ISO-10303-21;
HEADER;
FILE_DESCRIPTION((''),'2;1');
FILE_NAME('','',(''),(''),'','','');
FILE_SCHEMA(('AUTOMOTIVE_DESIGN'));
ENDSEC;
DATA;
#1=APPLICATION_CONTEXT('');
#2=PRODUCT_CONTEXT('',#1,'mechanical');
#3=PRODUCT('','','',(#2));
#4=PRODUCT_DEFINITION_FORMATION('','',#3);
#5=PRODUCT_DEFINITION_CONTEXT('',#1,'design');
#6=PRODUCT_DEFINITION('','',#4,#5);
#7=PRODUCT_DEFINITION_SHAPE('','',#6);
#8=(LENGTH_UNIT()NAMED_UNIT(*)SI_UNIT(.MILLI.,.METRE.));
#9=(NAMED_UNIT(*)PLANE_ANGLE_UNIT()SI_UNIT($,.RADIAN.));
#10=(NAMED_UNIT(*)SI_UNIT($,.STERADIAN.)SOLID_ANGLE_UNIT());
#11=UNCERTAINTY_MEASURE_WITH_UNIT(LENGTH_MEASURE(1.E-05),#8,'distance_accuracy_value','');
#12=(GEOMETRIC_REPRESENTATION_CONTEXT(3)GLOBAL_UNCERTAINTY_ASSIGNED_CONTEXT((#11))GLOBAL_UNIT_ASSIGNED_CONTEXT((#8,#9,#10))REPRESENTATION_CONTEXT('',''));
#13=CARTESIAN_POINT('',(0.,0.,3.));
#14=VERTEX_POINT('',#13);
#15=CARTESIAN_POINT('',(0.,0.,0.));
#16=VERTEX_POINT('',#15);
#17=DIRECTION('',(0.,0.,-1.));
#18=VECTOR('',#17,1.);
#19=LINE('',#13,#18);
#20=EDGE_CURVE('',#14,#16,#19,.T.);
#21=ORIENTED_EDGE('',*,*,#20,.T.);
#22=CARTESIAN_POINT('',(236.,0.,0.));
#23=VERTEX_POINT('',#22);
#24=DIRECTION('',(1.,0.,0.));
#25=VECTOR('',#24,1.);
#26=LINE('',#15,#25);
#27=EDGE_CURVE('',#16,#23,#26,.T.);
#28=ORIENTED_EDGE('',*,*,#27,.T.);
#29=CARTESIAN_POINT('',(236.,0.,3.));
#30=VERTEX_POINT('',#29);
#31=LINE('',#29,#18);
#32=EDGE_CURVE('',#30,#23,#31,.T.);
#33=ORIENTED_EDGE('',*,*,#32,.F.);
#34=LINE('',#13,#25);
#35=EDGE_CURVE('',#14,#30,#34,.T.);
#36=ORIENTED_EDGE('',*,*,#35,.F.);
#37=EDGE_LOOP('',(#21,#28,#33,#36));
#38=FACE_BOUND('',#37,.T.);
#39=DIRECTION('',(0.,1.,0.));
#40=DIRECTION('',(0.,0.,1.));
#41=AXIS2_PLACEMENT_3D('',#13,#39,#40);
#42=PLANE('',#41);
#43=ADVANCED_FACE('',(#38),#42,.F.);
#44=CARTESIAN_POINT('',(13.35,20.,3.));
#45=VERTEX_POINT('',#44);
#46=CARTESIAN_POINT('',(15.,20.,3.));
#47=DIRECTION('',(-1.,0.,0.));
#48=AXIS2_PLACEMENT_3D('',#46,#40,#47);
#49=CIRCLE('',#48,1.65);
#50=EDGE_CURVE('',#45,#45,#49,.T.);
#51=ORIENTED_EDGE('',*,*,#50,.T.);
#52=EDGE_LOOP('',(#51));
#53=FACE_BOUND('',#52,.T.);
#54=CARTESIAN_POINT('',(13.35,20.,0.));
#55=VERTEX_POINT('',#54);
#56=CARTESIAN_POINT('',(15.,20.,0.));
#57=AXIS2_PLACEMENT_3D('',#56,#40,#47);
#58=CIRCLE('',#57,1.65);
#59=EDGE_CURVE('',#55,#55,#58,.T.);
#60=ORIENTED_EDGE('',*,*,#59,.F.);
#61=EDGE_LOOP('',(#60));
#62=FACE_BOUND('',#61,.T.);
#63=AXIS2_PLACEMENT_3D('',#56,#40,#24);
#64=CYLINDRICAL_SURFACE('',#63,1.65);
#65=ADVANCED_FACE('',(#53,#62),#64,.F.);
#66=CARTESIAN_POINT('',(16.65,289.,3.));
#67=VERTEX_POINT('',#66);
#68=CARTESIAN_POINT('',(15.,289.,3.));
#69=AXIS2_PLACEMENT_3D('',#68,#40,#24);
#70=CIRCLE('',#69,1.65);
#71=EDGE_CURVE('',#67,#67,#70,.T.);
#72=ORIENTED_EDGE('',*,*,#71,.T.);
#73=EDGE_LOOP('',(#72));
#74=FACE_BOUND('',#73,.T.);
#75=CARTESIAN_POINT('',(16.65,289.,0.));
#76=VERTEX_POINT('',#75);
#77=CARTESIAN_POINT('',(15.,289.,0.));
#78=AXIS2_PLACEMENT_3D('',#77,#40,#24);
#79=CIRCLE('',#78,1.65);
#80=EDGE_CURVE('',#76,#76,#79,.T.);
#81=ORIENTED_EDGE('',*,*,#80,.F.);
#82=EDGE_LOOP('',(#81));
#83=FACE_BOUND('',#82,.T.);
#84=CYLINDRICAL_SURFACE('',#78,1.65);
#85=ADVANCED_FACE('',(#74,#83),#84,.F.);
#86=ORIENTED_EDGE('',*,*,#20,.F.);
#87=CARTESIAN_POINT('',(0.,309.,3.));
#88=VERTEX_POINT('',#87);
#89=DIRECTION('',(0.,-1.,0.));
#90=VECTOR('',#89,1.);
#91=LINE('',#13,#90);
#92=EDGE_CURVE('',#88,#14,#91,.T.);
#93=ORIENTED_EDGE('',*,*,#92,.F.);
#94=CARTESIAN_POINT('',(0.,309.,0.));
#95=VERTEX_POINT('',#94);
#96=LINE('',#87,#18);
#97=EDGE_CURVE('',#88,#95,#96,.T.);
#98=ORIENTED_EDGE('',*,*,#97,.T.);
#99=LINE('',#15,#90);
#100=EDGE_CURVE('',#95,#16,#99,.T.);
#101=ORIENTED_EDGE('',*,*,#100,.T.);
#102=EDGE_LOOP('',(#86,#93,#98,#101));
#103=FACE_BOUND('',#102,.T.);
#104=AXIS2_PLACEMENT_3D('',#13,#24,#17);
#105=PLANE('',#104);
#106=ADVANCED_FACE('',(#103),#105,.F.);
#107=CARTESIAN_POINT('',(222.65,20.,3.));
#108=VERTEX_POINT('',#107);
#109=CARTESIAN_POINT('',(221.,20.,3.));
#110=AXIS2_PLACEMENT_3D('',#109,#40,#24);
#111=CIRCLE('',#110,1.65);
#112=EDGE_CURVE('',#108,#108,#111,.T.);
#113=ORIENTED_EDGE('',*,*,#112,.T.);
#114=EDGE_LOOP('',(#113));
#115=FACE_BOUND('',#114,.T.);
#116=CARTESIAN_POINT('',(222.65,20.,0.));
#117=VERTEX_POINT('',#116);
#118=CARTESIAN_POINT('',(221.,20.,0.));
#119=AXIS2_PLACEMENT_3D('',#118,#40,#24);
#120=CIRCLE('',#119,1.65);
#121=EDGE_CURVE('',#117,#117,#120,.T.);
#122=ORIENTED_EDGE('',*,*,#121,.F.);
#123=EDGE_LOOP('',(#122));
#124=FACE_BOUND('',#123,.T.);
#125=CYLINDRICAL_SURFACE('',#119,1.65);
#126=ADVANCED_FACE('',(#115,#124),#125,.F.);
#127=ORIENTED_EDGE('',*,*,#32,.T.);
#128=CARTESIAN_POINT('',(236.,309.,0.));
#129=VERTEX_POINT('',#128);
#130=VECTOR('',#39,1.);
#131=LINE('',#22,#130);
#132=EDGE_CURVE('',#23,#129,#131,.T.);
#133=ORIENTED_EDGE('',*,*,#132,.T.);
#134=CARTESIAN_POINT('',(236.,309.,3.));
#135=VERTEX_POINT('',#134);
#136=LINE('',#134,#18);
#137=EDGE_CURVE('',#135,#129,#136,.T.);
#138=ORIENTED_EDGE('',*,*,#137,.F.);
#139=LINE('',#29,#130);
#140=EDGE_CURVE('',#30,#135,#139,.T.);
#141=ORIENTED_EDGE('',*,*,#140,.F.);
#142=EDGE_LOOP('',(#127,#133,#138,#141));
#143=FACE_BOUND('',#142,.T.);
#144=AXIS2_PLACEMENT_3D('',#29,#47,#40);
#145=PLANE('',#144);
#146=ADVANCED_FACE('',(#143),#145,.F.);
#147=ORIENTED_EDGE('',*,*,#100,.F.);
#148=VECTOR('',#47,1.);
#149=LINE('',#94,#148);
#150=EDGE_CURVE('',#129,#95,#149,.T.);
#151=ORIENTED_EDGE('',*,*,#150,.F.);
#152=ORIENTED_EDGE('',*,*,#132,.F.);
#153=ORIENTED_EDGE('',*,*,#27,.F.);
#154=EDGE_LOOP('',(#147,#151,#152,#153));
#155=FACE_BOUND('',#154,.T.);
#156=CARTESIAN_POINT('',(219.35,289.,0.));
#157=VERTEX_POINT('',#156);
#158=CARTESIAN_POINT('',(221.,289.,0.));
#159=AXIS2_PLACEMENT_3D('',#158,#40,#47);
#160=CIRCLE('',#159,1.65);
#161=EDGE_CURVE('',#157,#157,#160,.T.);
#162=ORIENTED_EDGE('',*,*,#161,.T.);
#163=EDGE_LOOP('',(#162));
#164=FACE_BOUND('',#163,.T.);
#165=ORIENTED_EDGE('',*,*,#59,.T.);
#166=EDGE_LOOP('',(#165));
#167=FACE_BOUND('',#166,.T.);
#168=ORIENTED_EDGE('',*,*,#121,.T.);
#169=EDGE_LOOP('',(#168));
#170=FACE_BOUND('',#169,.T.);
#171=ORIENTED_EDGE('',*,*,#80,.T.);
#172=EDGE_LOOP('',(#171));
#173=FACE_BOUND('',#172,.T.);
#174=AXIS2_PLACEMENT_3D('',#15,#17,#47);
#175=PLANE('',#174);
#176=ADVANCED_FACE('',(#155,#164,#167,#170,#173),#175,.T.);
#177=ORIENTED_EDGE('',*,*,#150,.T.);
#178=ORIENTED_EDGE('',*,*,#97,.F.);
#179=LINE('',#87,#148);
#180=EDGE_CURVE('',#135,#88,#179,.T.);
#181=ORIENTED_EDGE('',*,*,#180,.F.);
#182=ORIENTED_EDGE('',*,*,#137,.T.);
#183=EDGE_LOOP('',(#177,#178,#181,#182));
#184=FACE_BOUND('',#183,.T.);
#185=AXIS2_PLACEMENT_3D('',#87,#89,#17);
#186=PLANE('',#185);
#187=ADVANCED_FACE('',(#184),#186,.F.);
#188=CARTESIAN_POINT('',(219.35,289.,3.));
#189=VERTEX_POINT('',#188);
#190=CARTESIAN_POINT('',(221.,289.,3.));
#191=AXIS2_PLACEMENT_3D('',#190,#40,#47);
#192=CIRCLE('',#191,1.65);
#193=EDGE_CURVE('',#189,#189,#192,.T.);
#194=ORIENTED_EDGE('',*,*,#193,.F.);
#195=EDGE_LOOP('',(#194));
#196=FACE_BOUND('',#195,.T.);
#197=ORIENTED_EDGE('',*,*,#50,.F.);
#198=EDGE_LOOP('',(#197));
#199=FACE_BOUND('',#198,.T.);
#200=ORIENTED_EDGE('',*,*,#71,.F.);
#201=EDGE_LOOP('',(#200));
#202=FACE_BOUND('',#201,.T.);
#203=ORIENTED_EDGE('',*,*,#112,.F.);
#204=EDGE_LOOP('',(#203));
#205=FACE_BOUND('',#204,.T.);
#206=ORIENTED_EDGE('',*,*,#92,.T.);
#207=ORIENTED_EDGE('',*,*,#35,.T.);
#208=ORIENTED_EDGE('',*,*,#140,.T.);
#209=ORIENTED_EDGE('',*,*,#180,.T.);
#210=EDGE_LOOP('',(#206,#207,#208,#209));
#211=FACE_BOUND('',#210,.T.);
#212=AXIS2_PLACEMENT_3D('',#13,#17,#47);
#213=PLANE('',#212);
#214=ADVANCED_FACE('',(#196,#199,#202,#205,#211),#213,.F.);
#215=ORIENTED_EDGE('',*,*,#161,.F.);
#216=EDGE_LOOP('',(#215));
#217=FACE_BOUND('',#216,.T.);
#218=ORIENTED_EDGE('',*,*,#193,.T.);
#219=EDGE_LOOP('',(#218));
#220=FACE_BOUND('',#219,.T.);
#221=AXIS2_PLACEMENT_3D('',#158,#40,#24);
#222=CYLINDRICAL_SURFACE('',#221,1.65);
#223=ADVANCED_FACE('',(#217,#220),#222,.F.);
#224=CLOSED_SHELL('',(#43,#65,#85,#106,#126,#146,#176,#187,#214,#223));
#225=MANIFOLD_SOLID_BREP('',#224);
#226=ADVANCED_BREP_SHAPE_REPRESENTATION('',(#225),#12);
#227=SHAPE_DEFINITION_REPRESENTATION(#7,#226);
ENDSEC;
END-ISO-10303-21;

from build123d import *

# Parameters (mm, degrees)
ESQUISSE1_W             = 236
ESQUISSE1_H             = 309
BOSS_EXTRU_1_DEPTH      = 3
ESQUISSE3_R             = 1.65
ENL_V_MAT_EXTRU_1_DEPTH = 4


with BuildPart() as part:
    # Esquisse1 → Boss.-Extru.1 (new body)
    with BuildSketch(Plane.XY):
        with Locations((118, 154.5)):
            Rectangle(ESQUISSE1_W, ESQUISSE1_H)
    extrude(amount=BOSS_EXTRU_1_DEPTH)

    # Esquisse3 → Enlèv. mat.-Extru.1 (cut, through all)
    with BuildSketch(Plane.XY.offset(3)):
        with Locations((15, 289)):
            Circle(ESQUISSE3_R)
        with Locations((15, 20)):
            Circle(ESQUISSE3_R)
        with Locations((221, 20)):
            Circle(ESQUISSE3_R)
        with Locations((221, 289)):
            Circle(ESQUISSE3_R)
    extrude(amount=-ENL_V_MAT_EXTRU_1_DEPTH, mode=Mode.SUBTRACT)


solid = part.part
